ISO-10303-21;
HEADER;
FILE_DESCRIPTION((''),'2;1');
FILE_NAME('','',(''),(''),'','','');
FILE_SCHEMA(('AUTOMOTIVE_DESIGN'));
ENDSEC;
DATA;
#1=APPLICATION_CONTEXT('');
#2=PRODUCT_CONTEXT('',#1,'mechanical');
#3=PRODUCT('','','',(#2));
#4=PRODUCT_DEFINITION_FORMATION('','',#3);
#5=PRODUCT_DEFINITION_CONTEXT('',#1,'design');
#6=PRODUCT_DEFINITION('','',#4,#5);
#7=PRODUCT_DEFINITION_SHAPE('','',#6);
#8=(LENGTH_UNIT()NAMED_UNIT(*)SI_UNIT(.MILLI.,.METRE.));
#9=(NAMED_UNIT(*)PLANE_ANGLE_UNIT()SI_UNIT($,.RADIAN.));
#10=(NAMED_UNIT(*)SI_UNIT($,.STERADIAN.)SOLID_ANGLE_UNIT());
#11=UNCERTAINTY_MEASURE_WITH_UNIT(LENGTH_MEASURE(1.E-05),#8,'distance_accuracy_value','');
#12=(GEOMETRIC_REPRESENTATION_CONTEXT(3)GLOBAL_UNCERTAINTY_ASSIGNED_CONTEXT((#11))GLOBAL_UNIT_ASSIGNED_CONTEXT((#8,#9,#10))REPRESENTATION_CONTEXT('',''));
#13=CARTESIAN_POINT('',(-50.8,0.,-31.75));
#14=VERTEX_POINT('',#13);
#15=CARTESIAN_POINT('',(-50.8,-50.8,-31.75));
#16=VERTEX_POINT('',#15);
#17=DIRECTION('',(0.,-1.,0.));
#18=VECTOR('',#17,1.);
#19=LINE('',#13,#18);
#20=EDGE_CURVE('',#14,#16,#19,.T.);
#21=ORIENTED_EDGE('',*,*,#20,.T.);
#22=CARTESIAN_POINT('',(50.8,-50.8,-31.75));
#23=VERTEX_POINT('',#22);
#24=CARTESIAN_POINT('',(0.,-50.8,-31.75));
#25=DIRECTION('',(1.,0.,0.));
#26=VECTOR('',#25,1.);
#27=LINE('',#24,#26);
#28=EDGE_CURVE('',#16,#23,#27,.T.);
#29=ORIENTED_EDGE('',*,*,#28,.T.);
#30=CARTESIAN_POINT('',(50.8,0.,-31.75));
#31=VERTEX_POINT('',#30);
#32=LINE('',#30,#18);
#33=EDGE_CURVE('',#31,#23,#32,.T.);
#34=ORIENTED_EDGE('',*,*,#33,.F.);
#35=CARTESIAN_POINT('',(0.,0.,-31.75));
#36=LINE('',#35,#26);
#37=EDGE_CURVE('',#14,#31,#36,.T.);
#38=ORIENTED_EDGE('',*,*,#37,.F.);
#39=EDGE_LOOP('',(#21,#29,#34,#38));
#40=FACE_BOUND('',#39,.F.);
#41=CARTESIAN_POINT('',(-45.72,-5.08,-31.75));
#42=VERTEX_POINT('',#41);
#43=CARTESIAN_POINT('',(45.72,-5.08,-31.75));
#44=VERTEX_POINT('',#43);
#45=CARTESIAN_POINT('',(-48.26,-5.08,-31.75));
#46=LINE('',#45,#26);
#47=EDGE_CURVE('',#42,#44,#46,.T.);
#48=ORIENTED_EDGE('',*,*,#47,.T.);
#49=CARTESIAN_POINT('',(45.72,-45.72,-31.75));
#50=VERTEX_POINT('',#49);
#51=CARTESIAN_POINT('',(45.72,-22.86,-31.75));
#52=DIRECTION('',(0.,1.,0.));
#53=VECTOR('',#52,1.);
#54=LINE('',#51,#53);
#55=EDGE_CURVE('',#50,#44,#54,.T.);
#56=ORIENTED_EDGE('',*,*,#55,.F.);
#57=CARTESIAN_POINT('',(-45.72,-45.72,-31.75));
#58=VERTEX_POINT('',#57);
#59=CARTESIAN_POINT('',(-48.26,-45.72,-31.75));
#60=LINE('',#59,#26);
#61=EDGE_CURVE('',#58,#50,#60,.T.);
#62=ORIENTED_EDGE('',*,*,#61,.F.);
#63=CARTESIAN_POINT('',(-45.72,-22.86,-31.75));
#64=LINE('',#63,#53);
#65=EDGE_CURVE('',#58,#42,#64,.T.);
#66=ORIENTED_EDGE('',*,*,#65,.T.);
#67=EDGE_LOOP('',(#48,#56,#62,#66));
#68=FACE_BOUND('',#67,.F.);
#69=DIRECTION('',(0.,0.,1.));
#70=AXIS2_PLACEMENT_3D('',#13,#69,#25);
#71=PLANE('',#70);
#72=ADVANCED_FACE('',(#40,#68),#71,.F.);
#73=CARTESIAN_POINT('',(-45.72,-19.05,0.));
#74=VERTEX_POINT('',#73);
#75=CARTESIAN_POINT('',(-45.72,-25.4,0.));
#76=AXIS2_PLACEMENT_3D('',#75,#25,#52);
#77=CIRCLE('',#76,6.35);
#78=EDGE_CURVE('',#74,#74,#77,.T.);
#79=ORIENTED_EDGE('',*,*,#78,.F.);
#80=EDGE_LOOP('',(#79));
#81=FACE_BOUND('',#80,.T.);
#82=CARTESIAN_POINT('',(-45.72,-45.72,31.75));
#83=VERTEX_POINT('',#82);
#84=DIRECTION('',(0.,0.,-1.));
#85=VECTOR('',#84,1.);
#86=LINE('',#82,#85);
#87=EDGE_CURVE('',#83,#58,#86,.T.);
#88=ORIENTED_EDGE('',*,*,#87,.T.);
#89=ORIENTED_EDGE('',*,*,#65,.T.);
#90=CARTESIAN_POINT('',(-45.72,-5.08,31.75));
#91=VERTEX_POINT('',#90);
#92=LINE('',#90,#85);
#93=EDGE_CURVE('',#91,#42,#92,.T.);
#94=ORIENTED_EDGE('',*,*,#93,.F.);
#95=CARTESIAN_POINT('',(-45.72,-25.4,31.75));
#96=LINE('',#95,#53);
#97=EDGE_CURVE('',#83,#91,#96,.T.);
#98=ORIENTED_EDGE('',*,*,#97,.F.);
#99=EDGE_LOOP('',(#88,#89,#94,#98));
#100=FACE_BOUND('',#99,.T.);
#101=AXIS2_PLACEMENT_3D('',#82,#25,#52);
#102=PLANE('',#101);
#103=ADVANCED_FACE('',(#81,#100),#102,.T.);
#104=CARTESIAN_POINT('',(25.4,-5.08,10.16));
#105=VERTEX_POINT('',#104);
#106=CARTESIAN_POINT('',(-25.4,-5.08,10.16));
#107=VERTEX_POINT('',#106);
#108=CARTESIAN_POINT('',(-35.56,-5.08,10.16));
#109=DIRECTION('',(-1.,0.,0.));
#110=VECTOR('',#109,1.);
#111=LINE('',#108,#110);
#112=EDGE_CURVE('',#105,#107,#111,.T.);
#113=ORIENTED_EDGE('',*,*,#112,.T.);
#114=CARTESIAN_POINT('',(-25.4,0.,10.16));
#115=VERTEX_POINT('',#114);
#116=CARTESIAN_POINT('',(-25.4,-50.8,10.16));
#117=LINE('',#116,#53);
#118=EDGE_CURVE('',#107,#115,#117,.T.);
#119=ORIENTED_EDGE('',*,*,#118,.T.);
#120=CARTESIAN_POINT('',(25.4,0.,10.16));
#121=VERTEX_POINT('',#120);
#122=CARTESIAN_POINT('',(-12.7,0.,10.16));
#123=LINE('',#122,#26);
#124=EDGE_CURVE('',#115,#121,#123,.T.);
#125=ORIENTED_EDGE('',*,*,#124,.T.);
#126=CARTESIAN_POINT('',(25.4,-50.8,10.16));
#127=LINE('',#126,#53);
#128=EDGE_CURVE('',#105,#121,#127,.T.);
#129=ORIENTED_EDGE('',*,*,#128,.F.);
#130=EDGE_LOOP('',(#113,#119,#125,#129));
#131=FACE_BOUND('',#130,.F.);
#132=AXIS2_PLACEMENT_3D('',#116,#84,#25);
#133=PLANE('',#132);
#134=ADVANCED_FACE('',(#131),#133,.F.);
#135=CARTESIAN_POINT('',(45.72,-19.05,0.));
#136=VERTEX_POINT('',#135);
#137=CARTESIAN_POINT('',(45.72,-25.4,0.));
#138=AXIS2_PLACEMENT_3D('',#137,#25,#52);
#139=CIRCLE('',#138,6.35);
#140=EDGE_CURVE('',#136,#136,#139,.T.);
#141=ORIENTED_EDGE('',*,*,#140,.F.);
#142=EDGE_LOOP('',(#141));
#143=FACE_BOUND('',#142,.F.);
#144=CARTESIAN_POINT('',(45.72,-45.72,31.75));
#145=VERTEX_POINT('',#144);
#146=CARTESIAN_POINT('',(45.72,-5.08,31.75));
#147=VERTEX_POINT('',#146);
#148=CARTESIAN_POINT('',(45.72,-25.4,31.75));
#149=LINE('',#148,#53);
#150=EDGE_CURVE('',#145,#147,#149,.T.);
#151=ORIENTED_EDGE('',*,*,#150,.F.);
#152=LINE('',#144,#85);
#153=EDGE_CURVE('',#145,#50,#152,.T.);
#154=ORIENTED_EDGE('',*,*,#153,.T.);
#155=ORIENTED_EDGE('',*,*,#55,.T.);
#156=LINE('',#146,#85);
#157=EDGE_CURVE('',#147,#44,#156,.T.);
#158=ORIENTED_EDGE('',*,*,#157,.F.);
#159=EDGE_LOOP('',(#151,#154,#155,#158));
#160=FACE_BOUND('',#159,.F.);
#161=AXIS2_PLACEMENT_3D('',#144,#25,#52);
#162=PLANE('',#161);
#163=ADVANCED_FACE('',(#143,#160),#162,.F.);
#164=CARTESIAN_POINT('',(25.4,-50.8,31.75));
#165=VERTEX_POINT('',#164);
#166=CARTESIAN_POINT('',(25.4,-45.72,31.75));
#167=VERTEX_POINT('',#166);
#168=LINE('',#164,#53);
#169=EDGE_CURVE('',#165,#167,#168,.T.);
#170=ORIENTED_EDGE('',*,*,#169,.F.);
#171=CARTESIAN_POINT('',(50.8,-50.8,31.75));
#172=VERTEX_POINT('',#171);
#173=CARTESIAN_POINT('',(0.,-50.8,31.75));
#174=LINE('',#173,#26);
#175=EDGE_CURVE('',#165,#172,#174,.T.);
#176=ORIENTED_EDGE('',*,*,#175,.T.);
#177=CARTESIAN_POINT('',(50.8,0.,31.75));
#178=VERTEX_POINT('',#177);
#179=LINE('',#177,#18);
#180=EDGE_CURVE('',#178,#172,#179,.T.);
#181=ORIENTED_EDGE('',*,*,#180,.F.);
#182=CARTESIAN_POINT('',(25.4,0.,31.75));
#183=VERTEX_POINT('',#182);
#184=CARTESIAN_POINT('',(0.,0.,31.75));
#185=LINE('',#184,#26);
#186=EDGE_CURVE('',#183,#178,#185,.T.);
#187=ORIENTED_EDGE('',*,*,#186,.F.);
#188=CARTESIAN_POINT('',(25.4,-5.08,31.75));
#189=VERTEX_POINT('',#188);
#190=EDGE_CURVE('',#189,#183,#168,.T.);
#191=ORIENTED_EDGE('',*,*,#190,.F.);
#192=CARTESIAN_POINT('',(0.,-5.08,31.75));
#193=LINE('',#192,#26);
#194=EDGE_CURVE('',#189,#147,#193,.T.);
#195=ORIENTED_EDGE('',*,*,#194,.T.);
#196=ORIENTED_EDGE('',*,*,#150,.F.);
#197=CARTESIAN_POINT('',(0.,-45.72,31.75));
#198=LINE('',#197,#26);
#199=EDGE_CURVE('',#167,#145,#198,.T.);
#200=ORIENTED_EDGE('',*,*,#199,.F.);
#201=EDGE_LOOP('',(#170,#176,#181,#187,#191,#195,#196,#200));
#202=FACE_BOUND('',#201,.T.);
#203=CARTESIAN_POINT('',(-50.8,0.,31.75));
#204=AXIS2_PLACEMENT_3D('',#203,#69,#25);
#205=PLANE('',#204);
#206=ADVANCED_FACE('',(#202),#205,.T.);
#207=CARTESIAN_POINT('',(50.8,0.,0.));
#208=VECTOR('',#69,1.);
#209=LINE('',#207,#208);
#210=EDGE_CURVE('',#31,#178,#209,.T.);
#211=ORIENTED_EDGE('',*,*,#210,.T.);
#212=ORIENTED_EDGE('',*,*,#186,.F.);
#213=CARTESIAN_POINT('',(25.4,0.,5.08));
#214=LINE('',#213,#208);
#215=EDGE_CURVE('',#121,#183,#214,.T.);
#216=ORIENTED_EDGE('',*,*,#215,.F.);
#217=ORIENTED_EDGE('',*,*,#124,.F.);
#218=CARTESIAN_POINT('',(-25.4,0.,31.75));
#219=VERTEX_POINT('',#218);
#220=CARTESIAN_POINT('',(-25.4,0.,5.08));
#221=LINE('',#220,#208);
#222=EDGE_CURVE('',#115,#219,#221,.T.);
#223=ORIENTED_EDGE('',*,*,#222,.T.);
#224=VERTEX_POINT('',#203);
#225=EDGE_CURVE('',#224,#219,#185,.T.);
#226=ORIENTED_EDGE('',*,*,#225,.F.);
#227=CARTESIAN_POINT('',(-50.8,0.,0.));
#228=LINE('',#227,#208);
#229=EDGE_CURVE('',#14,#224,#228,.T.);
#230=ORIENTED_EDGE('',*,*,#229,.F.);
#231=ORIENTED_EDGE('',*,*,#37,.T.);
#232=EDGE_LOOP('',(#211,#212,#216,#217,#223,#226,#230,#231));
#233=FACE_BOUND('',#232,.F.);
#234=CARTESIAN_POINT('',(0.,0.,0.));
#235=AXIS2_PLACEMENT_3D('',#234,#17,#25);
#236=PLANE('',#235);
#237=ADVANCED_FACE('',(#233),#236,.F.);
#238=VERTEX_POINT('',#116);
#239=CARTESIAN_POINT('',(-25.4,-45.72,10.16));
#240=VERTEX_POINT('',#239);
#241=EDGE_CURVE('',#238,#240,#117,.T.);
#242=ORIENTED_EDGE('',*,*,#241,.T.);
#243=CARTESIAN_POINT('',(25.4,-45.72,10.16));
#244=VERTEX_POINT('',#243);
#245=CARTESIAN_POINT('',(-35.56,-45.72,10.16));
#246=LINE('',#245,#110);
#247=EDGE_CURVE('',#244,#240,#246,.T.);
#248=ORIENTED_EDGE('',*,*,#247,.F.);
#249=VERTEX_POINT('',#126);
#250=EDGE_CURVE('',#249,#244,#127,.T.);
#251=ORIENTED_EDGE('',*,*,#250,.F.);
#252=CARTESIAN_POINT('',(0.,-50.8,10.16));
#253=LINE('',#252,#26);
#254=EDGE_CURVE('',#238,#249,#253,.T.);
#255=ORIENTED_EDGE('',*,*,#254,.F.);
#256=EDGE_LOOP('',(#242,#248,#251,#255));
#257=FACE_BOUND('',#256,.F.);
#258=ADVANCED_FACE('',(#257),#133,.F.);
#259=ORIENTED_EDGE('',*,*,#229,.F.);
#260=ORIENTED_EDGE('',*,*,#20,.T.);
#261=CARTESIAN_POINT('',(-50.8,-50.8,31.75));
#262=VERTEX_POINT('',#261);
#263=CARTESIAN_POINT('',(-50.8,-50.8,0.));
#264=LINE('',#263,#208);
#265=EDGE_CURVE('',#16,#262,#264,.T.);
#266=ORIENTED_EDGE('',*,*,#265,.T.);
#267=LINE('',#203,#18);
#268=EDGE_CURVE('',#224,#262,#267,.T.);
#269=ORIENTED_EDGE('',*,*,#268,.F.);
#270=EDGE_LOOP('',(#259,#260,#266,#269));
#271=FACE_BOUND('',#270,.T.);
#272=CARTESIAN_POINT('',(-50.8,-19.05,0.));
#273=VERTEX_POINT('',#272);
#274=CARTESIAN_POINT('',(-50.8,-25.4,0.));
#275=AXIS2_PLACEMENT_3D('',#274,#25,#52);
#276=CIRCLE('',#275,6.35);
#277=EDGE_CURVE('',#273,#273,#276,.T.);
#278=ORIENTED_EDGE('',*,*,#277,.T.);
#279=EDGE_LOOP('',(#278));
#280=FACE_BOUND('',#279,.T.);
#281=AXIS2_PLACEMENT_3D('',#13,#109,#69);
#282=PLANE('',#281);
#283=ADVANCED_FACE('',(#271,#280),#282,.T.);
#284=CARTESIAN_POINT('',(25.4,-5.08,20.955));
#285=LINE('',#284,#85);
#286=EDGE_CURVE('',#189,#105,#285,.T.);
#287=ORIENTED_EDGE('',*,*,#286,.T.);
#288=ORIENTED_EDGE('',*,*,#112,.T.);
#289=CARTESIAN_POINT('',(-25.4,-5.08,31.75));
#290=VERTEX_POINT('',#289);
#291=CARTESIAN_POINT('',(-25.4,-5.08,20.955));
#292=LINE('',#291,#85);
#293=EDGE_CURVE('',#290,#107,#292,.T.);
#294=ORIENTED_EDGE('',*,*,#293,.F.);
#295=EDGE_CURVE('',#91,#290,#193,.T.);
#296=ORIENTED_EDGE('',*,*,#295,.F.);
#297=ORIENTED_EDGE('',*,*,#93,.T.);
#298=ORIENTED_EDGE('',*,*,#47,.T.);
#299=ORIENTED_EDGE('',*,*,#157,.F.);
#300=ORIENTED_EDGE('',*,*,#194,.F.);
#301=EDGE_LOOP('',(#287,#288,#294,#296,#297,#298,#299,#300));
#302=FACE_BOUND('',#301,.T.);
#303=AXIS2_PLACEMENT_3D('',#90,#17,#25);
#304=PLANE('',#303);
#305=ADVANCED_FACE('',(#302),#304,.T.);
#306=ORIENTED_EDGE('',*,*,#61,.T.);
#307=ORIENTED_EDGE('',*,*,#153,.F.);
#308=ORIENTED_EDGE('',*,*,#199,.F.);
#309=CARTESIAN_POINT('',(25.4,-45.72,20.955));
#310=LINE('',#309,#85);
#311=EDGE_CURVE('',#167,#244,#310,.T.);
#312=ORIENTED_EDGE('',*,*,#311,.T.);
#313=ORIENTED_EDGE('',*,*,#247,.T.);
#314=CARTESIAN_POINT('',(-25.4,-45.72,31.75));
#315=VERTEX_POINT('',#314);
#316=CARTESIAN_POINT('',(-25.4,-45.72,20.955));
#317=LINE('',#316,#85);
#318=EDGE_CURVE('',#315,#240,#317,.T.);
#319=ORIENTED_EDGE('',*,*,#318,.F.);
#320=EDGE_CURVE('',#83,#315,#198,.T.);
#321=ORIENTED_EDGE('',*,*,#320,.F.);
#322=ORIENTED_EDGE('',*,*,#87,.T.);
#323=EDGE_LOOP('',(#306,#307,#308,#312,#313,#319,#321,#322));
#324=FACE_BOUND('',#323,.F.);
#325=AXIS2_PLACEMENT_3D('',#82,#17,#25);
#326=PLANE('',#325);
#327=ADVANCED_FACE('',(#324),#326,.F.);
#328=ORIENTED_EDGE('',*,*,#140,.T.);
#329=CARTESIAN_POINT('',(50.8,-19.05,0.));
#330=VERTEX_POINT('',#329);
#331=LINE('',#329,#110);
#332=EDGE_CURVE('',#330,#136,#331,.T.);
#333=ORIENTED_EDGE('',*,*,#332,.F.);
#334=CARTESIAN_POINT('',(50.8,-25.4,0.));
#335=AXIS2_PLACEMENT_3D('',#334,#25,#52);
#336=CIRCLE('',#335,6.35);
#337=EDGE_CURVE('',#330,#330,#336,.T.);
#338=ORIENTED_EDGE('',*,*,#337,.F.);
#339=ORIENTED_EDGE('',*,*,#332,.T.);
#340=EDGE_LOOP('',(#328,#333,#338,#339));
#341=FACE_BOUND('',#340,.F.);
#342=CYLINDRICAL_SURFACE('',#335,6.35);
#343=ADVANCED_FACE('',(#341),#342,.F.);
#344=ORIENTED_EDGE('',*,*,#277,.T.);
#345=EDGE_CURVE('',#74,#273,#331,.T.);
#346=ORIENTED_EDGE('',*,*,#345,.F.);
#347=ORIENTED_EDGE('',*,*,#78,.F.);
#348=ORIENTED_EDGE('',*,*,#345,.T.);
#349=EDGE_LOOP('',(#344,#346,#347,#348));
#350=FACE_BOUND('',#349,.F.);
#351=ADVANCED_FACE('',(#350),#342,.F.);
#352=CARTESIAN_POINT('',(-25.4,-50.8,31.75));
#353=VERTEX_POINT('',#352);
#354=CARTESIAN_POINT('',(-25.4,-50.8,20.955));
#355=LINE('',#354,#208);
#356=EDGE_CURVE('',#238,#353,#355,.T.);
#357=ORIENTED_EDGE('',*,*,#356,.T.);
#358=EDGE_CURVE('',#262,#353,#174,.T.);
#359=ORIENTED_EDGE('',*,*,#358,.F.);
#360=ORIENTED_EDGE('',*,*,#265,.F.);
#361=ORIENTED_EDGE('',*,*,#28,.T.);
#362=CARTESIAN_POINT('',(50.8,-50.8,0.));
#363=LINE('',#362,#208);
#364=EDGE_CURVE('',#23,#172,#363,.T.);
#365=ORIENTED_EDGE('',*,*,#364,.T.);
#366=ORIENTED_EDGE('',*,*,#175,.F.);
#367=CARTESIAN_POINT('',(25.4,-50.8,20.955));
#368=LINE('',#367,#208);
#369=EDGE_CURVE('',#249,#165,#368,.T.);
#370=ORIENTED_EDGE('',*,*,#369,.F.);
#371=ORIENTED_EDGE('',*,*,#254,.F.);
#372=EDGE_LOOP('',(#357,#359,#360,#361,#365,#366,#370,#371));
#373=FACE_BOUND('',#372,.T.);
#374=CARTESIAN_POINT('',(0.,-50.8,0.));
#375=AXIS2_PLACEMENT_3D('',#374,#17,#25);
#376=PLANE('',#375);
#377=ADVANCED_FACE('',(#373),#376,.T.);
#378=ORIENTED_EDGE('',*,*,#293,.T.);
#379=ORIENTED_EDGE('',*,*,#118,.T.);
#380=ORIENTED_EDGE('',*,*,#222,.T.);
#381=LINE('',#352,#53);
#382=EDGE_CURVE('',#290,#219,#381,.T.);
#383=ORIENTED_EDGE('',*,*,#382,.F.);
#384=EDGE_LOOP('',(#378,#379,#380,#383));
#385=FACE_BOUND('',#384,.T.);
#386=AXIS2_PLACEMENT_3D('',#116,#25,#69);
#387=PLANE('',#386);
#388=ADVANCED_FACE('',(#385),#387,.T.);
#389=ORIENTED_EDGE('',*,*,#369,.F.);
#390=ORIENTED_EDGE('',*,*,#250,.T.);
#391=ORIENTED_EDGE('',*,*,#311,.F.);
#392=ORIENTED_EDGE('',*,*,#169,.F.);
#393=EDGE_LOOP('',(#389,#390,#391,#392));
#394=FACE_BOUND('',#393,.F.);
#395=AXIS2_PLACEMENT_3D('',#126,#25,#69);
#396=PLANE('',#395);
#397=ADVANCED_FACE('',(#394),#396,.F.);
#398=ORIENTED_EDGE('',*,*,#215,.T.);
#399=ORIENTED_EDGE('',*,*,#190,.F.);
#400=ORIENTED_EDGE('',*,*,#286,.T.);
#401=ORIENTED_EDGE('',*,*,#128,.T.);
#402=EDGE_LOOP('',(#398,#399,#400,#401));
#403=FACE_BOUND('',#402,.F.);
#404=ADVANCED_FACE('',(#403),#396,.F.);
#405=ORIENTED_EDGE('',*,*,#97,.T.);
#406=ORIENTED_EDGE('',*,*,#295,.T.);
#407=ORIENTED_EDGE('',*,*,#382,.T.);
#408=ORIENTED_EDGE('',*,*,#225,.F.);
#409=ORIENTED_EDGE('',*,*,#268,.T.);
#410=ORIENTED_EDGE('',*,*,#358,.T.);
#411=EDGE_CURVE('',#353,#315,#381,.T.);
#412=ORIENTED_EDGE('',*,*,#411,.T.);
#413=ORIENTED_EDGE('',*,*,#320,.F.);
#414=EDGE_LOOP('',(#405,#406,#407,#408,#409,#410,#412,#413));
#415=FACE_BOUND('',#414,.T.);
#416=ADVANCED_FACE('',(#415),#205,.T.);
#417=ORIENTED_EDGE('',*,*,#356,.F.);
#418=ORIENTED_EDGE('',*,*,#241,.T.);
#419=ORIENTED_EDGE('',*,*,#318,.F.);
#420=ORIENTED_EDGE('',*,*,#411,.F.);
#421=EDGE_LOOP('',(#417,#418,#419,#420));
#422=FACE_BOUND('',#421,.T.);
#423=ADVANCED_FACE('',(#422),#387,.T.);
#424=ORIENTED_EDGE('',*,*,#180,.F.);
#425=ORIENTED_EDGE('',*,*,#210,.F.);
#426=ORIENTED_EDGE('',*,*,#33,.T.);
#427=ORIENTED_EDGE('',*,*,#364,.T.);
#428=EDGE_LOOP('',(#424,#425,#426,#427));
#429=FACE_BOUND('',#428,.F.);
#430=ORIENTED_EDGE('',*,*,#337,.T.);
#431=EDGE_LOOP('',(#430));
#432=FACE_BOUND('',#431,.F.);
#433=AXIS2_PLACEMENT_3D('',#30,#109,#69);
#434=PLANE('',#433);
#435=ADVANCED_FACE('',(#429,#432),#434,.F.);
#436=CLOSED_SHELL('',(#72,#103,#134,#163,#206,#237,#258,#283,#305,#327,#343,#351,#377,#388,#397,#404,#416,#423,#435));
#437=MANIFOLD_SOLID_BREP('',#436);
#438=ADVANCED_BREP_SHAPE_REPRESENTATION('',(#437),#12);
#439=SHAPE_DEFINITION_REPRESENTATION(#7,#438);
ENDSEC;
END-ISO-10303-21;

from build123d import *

# Parameters (mm, degrees)
F0_W     = 101.6
F0_H     = 63.5
F1_DEPTH = 50.8
F2_W     = 50.8
F2_H     = 21.59
F3_DEPTH = 70.866
F4_W     = 91.44
F4_H     = 40.64
F5_DEPTH = 71.628
F6_R     = 6.35
F7_DEPTH = 111.506


with BuildPart() as f1:
    # F0 (on Front) → F1 (new body)
    with BuildSketch(Plane.XZ):
        Rectangle(F0_W, F0_H)
    extrude(amount=F1_DEPTH)

    # F2 (on face) → F3 (cut)
    with BuildSketch(Plane.XZ.offset(50.8)):
        with Locations((0, 20.955)):
            Rectangle(F2_W, F2_H)
    extrude(amount=-F3_DEPTH, mode=Mode.SUBTRACT)

    # F4 (on face) → F5 (cut)
    with BuildSketch(Plane.XY.offset(31.75)):
        with Locations((0, -25.4)):
            Rectangle(F4_W, F4_H)
    extrude(amount=-F5_DEPTH, mode=Mode.SUBTRACT)

    # F6 (on face) → F7 (cut)
    with BuildSketch(Plane.YZ.offset(50.8)):
        with Locations((-25.4, 0)):
            Circle(F6_R)
    extrude(amount=-F7_DEPTH, mode=Mode.SUBTRACT)


solid = f1.part
